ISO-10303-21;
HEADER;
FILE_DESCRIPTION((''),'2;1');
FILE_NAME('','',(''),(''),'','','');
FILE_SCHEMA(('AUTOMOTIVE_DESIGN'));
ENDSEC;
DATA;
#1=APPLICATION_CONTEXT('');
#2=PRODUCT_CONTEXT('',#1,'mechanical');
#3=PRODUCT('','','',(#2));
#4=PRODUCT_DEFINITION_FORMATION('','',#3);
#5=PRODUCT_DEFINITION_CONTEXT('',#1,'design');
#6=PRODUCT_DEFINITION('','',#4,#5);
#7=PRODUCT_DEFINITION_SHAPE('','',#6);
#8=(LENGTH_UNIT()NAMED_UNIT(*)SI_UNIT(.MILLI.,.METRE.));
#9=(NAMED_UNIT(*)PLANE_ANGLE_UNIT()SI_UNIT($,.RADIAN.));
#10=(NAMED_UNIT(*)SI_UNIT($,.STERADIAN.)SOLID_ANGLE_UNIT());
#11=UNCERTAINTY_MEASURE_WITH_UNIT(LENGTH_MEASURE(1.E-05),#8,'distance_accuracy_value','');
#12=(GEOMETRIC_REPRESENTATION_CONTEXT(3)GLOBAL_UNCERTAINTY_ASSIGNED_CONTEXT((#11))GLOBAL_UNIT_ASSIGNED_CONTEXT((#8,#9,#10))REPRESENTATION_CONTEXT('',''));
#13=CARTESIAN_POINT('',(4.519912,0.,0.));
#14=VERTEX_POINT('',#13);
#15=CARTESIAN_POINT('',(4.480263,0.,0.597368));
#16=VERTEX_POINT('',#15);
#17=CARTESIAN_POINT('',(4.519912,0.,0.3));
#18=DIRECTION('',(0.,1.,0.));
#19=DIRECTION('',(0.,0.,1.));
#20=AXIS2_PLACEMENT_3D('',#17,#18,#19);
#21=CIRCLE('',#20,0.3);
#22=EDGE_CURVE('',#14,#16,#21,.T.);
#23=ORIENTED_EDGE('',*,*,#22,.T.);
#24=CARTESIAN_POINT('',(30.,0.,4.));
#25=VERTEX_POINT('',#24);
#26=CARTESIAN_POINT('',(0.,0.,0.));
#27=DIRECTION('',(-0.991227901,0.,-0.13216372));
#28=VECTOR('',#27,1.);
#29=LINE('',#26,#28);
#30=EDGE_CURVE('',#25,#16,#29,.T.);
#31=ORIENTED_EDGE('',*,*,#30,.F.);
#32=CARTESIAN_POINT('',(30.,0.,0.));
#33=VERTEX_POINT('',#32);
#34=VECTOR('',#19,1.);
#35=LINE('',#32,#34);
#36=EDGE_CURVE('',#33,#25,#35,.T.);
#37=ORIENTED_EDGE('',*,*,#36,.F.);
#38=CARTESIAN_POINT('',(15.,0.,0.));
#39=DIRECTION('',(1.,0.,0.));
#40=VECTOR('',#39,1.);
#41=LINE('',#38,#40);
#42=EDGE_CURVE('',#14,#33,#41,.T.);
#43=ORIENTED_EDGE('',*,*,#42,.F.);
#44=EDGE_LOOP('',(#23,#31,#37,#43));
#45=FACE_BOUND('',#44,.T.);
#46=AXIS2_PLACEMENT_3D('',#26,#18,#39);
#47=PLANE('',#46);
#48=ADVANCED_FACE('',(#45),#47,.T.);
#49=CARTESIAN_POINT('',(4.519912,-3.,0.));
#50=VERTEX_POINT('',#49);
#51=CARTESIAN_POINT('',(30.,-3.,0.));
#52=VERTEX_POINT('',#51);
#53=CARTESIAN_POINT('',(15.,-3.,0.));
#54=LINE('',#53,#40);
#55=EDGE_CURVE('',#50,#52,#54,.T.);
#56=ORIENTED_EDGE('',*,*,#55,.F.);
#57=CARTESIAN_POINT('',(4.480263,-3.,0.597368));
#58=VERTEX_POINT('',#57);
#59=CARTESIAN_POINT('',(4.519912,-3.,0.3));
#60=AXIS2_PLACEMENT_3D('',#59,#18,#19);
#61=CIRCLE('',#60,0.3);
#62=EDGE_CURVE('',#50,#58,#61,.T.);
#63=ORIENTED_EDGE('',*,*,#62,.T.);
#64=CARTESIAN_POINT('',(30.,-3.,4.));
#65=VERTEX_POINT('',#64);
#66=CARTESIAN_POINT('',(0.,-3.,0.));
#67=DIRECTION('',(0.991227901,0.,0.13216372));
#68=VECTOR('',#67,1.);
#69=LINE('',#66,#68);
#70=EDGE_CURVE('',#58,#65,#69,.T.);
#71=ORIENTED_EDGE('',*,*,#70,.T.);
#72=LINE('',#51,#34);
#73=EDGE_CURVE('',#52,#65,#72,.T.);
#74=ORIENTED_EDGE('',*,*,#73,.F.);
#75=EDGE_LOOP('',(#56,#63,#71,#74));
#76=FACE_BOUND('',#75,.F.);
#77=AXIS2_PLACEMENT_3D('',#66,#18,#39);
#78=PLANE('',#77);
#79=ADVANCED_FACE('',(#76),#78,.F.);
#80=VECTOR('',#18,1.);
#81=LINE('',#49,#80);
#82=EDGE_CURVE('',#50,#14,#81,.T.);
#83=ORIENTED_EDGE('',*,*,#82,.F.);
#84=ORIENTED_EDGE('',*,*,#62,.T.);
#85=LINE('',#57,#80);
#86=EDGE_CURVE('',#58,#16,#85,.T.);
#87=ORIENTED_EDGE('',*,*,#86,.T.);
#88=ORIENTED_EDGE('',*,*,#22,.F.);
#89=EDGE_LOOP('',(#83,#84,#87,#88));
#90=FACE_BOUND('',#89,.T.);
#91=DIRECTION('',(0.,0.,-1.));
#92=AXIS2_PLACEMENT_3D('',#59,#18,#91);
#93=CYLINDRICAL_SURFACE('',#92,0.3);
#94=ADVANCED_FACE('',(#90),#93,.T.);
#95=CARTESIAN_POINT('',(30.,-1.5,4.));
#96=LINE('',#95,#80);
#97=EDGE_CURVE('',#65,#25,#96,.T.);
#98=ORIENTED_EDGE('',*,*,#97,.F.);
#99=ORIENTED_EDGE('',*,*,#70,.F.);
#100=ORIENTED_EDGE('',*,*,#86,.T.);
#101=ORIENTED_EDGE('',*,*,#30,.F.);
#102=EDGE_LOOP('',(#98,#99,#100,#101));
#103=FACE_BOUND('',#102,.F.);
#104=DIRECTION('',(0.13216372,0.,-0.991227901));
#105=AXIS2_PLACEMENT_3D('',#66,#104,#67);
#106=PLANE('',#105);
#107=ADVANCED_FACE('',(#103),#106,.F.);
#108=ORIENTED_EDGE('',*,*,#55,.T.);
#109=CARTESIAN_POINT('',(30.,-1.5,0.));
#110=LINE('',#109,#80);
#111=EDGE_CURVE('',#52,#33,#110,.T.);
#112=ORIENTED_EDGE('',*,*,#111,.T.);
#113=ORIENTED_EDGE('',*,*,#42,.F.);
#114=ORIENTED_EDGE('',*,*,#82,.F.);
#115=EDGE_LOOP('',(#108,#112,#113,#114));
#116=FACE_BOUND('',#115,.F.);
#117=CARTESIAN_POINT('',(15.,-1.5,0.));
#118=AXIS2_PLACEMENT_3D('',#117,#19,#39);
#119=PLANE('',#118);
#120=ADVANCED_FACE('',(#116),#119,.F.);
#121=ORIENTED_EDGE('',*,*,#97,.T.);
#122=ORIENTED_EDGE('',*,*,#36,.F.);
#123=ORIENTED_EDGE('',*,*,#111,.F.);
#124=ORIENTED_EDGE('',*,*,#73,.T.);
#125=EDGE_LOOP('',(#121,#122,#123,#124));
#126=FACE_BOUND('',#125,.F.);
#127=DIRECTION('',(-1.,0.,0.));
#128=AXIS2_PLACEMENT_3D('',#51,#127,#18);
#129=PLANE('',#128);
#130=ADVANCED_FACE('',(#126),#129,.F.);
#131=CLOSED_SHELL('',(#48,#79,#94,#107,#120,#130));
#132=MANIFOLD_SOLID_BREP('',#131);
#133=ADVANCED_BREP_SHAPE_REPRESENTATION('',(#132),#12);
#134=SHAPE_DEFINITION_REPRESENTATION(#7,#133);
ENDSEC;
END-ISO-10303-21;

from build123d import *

# Parameters (mm, degrees)
F0_W     = 30
F0_H     = 3
F1_DEPTH = 4
F3_DEPTH = 25
F4_R     = 0.3


with BuildPart() as f1:
    # F0 (on Top) → F1 (new body)
    with BuildSketch(Plane.XY):
        with Locations((15, -1.5)):
            Rectangle(F0_W, F0_H)
    extrude(amount=F1_DEPTH)

    # F2 (on face) → F3 (cut)
    with BuildSketch(Plane.XZ.offset(3)):
        Polygon((0, 4), (0, 0), (30, 4), align=None)
    extrude(amount=-F3_DEPTH, mode=Mode.SUBTRACT)

    # F4
    f4_edges = [f1.edges().sort_by_distance(p)[0] for p in [
        (0, -1.5, 0),
    ]]
    fillet(f4_edges, radius=F4_R)


solid = f1.part
